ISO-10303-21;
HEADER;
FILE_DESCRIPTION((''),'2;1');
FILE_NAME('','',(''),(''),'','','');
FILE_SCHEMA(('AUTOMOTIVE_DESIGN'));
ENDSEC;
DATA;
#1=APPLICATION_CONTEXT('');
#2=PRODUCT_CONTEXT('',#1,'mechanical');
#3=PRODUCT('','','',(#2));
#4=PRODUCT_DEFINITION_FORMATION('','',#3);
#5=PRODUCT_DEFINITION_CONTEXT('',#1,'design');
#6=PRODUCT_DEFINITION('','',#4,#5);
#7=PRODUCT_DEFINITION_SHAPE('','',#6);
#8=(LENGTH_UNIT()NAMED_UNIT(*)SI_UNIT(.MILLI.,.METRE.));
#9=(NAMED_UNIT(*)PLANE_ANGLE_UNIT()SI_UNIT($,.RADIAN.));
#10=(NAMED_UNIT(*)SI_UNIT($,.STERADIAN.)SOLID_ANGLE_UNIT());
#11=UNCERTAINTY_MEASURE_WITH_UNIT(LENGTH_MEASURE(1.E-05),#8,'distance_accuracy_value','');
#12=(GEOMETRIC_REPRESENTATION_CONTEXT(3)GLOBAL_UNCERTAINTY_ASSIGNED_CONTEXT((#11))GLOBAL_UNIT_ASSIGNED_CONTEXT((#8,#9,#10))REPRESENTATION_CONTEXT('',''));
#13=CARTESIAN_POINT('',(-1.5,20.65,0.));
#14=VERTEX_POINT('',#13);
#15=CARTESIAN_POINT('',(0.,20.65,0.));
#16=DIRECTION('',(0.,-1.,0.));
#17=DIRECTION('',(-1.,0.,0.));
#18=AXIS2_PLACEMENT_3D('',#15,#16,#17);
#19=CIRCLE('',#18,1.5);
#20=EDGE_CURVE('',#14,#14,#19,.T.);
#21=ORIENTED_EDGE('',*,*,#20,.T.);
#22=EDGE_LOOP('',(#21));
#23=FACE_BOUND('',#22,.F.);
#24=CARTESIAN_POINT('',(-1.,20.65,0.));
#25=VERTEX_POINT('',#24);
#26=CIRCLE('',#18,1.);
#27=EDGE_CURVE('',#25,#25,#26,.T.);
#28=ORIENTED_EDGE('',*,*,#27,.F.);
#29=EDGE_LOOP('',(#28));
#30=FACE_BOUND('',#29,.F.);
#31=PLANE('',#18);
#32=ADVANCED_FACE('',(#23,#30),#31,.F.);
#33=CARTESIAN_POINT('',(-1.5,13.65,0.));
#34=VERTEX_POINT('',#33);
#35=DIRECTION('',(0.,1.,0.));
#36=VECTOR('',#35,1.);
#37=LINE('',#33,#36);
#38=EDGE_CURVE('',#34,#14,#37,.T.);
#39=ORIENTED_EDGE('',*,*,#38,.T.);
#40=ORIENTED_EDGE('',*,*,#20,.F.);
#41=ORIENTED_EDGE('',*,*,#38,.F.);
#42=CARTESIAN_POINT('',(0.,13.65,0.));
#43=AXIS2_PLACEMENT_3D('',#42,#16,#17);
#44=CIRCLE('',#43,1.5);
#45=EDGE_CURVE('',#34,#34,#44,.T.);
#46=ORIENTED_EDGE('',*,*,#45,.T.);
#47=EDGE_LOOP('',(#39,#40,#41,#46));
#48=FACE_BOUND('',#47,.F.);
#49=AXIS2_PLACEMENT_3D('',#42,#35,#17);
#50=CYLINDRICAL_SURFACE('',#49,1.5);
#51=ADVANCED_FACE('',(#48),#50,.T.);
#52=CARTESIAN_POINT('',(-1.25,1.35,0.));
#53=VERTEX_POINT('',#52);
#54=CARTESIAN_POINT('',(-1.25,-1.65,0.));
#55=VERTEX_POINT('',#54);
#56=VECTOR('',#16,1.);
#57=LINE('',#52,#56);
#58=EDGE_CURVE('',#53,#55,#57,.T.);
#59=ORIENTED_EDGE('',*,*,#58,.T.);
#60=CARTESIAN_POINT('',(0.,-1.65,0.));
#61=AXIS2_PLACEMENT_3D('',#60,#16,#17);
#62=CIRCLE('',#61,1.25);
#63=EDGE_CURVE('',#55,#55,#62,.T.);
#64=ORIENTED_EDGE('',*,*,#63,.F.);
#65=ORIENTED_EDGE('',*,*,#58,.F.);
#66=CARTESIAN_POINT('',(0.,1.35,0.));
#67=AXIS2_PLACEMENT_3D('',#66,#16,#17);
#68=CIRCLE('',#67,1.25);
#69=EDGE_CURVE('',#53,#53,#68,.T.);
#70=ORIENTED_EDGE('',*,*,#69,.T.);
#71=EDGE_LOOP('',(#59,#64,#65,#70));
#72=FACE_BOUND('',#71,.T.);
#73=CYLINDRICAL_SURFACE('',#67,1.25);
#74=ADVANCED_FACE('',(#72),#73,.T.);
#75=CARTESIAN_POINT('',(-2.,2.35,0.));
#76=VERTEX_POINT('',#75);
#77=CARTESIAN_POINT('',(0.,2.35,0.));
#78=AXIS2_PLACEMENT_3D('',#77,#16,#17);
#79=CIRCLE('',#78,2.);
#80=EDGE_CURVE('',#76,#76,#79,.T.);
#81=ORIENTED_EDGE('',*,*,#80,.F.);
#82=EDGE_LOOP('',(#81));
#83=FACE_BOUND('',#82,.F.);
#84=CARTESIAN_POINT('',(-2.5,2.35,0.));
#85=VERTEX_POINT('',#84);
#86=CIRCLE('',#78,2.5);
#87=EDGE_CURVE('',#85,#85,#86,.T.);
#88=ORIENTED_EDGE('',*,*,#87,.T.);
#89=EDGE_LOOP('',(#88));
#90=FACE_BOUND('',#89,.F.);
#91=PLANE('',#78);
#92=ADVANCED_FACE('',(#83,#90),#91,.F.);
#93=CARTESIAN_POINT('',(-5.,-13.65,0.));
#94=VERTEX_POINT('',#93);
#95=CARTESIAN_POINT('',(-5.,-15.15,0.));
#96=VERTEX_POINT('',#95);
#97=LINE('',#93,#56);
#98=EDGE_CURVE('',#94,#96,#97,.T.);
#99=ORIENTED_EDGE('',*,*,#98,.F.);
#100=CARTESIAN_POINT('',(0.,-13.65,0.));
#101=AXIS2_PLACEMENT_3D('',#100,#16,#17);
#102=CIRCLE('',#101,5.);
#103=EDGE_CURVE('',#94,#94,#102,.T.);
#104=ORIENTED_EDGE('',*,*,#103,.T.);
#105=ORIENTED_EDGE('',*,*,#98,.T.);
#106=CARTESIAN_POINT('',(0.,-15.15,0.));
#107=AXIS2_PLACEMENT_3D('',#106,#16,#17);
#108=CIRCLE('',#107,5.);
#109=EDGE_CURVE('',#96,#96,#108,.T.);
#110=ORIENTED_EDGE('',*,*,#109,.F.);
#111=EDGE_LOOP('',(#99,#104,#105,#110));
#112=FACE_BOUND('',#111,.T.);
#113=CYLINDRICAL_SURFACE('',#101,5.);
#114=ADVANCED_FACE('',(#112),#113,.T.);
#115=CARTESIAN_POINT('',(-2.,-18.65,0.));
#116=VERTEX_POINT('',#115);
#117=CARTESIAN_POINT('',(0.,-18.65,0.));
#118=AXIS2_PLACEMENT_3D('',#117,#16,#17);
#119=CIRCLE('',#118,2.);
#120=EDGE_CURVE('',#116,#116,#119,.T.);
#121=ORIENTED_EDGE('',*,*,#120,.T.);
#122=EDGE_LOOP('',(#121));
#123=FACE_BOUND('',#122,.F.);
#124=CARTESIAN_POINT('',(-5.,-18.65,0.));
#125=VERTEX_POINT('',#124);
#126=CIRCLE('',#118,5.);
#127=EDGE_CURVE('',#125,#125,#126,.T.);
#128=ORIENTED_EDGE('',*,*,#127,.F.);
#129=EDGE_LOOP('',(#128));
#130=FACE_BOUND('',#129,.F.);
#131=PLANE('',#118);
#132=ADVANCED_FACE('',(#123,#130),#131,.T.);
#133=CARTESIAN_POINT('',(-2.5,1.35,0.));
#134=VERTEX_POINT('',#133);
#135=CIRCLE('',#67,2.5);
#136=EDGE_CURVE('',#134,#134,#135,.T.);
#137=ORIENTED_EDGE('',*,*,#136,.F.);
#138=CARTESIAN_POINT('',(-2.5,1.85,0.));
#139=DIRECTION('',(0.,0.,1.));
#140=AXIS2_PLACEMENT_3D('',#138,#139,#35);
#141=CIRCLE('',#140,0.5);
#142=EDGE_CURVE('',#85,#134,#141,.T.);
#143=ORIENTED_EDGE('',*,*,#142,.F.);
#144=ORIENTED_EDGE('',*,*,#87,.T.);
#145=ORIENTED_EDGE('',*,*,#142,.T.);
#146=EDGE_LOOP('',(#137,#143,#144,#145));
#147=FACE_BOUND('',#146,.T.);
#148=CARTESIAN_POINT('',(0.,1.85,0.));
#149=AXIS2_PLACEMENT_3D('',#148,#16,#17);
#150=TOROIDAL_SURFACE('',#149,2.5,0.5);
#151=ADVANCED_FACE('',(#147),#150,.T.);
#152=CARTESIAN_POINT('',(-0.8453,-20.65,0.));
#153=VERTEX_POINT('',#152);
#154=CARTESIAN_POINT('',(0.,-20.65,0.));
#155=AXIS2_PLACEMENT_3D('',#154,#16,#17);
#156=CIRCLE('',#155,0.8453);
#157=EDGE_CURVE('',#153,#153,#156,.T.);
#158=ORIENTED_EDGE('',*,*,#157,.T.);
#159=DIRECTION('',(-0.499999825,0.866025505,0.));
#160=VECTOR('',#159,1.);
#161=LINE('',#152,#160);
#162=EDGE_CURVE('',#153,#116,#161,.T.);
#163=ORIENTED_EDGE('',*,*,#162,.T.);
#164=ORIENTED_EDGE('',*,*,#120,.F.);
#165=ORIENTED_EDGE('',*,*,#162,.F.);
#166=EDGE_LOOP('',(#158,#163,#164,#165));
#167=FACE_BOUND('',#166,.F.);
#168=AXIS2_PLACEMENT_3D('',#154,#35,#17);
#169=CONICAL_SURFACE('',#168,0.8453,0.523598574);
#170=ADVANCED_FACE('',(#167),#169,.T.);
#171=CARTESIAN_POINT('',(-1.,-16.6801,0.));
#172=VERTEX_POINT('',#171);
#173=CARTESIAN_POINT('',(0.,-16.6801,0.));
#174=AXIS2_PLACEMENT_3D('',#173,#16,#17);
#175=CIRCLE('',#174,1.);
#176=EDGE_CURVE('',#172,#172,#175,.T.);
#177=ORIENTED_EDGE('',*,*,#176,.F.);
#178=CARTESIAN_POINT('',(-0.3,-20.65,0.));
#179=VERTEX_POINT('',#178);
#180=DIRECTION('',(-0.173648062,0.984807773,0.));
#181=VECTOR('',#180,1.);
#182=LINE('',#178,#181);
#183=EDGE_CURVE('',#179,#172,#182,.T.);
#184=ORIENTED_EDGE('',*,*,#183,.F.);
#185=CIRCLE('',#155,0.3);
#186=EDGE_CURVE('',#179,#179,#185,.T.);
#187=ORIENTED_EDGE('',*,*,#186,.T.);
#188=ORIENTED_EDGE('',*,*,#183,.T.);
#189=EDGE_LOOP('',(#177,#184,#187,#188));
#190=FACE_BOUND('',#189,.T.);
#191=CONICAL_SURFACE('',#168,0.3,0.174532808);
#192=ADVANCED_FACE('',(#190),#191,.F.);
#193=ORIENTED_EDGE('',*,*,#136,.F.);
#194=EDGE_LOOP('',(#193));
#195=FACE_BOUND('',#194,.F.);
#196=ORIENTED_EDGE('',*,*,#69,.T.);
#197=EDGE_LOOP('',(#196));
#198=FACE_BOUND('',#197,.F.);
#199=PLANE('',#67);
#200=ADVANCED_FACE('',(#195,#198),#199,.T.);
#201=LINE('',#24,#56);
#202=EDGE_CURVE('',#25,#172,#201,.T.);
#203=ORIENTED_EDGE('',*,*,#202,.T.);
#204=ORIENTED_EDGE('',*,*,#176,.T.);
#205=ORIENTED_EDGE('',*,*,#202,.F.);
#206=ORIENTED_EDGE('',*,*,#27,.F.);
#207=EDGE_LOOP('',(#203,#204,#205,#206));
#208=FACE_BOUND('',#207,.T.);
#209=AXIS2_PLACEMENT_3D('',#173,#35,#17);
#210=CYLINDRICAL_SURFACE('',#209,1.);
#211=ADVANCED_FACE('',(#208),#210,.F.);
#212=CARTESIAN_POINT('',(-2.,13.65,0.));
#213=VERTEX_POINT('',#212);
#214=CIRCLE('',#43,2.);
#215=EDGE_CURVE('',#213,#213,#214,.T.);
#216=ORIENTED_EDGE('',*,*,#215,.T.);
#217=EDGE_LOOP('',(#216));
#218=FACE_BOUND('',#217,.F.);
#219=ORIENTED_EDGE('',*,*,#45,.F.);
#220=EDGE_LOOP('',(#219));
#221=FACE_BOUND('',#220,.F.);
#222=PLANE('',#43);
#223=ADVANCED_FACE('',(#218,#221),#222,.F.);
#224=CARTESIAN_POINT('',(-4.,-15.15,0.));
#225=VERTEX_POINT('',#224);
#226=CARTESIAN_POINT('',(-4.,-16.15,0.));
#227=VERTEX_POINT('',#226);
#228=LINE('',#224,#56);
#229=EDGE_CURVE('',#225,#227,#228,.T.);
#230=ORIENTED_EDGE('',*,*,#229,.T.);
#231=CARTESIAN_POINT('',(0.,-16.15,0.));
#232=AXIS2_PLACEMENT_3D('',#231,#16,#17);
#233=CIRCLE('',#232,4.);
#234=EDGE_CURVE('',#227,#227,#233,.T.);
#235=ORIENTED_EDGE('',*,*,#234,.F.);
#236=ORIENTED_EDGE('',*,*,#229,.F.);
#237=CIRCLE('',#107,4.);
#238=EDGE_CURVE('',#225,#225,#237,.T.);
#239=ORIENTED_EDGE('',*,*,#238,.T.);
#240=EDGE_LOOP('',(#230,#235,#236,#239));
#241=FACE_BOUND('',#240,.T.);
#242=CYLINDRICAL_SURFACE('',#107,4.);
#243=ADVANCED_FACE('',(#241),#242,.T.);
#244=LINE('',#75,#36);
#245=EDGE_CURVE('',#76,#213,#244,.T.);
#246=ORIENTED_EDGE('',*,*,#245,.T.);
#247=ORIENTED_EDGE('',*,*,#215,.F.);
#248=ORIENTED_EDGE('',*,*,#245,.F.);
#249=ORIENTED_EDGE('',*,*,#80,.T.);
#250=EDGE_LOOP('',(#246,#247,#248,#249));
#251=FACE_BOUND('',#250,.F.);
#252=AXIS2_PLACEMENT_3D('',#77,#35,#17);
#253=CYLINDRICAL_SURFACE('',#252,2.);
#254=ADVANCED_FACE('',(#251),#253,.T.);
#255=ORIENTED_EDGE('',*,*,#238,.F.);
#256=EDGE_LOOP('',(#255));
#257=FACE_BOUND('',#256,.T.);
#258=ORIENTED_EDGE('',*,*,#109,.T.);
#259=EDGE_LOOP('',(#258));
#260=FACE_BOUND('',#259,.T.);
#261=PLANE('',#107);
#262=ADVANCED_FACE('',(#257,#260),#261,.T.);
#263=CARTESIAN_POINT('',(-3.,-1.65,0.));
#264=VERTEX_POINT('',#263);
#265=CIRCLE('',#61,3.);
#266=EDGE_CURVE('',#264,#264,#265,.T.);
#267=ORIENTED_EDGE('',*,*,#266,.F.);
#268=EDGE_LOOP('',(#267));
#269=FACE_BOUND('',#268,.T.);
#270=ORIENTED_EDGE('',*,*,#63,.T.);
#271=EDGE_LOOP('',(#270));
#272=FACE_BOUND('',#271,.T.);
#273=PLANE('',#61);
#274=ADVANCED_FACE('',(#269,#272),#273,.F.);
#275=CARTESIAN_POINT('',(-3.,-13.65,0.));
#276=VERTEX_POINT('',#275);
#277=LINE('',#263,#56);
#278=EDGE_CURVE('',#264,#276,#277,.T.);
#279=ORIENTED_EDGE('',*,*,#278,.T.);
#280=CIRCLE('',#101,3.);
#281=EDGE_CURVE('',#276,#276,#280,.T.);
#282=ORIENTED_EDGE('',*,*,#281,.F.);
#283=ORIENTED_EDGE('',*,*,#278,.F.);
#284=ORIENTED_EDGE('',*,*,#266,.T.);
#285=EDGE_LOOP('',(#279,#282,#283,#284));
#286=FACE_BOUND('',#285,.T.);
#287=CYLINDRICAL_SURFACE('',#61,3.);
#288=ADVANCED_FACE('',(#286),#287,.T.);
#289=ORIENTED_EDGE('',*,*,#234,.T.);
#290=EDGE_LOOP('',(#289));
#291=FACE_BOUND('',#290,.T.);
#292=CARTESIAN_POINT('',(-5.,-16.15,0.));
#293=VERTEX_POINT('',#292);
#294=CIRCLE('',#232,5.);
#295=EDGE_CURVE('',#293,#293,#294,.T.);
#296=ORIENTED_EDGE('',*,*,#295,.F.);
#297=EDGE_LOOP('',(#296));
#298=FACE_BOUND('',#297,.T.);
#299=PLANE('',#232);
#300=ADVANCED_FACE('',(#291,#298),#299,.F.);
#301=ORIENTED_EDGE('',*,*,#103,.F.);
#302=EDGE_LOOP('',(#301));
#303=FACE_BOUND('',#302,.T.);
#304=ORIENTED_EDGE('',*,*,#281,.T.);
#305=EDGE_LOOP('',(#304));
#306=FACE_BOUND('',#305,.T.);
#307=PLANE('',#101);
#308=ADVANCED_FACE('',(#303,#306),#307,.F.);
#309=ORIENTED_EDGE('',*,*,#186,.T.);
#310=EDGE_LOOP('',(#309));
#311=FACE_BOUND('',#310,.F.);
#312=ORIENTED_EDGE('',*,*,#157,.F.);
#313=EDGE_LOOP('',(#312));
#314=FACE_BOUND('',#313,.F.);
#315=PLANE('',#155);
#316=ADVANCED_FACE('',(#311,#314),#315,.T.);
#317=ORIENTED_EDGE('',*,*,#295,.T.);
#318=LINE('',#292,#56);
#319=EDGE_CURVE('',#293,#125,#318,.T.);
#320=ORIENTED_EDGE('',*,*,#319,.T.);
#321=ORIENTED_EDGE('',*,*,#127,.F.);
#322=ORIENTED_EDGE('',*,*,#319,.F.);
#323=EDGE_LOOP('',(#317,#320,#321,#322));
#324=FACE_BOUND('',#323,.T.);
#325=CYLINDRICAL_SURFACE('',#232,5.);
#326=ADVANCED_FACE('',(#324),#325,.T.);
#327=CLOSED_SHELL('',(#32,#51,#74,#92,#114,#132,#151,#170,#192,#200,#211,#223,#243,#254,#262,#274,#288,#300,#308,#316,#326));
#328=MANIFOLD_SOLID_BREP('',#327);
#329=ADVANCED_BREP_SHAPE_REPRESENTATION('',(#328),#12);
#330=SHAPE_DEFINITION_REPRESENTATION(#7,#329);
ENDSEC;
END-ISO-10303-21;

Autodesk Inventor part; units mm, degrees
ref_plane "YZ Plane" through (0, 0, 0) normal (1, 0, 0) x (0, 1, 0)
ref_plane "XZ Plane" through (0, 0, 0) normal (0, 1, 0) x (-1, 0, 0)
ref_plane "XY Plane" through (0, 0, 0) normal (0, 0, 1) x (1, 0, 0)
sketch "Sketch1" plane through (0, 0, 0) normal (0, 0, 1) x (1, 0, 0)
  line L0 (0, 20.65) -> (0, -20.65)
  line L1 (0, 1.35) -> (-2.5, 1.35)
  arc A0 (-2.5, 2.35) -> (-2.5, 1.35) centre (-2.5, 1.85) ccw
  line L2 (-2.5, 2.35) -> (0, 2.35)
  line L3 (-0.3, -20.65) -> (-0.8453, -20.65)
  line L4 (-0.8453, -20.65) -> (-2, -18.65)
  line L5 (-2, -18.65) -> (-5, -18.65)
  line L6 (-0.3, -20.65) -> (-1, -16.6801)
  line L7 (-1, -16.6801) -> (-1, 20.65)
  line L8 (-1.25, 1.35) -> (-1.25, -1.65)
  line L9 (-1.25, -1.65) -> (-3, -1.65)
  line L10 (-3, -1.65) -> (-3, -13.65)
  line L11 (-3, -13.65) -> (-5, -13.65)
  line L12 (-5, -13.65) -> (-5, -15.15)
  line L13 (-5, -15.15) -> (-4, -15.15)
  line L14 (-4, -15.15) -> (-4, -16.15)
  line L15 (-4, -16.15) -> (-5, -16.15)
  line L16 (-5, -16.15) -> (-5, -18.65)
  line L17 (-5, -13.65) -> (-5, -18.65) construction
  line L18 (-2, 2.35) -> (-2, 13.65)
  line L19 (-2, 13.65) -> (-1.5, 13.65)
  line L20 (-1.5, 13.65) -> (-1.5, 20.65)
  line L21 (-1.5, 20.65) -> (0, 20.65)
  point P0 (0, 0)
  point P1 (0, 0)
  dimension "d0" = 41.3
  dimension "d1" = 21
  dimension "d2" = 2
  dimension "d3" = 2
  dimension "d4" = 0.6
  dimension "d5" = 10
  dimension "d6" = 4
  dimension "d7" = 60
  dimension "d8" = 10
  dimension "d9" = 1
  dimension "d10" = 5
  dimension "d11" = 2.5
  dimension "d12" = 5
  dimension "d13" = 12
  dimension "d14" = 6
  dimension "d15" = 1
  dimension "d16" = 1.5
  dimension "d17" = 3
  dimension "d18" = 4
  dimension "d19" = 7
revolve "Revolution1" add sketch "Sketch1" angle 360 about axis through (0, 20.65, 0) along (0, -1, 0) contours L7 L2 L18 L19 L20 L21 | L7 L1 A0 L2 | L7 L6 L3 L4 L5 L16 L15 L14 L13 L12 L11 L10 L9 L8 L1
properties part number "Revo micro nozzle" material "Brass, Soft Yellow"
